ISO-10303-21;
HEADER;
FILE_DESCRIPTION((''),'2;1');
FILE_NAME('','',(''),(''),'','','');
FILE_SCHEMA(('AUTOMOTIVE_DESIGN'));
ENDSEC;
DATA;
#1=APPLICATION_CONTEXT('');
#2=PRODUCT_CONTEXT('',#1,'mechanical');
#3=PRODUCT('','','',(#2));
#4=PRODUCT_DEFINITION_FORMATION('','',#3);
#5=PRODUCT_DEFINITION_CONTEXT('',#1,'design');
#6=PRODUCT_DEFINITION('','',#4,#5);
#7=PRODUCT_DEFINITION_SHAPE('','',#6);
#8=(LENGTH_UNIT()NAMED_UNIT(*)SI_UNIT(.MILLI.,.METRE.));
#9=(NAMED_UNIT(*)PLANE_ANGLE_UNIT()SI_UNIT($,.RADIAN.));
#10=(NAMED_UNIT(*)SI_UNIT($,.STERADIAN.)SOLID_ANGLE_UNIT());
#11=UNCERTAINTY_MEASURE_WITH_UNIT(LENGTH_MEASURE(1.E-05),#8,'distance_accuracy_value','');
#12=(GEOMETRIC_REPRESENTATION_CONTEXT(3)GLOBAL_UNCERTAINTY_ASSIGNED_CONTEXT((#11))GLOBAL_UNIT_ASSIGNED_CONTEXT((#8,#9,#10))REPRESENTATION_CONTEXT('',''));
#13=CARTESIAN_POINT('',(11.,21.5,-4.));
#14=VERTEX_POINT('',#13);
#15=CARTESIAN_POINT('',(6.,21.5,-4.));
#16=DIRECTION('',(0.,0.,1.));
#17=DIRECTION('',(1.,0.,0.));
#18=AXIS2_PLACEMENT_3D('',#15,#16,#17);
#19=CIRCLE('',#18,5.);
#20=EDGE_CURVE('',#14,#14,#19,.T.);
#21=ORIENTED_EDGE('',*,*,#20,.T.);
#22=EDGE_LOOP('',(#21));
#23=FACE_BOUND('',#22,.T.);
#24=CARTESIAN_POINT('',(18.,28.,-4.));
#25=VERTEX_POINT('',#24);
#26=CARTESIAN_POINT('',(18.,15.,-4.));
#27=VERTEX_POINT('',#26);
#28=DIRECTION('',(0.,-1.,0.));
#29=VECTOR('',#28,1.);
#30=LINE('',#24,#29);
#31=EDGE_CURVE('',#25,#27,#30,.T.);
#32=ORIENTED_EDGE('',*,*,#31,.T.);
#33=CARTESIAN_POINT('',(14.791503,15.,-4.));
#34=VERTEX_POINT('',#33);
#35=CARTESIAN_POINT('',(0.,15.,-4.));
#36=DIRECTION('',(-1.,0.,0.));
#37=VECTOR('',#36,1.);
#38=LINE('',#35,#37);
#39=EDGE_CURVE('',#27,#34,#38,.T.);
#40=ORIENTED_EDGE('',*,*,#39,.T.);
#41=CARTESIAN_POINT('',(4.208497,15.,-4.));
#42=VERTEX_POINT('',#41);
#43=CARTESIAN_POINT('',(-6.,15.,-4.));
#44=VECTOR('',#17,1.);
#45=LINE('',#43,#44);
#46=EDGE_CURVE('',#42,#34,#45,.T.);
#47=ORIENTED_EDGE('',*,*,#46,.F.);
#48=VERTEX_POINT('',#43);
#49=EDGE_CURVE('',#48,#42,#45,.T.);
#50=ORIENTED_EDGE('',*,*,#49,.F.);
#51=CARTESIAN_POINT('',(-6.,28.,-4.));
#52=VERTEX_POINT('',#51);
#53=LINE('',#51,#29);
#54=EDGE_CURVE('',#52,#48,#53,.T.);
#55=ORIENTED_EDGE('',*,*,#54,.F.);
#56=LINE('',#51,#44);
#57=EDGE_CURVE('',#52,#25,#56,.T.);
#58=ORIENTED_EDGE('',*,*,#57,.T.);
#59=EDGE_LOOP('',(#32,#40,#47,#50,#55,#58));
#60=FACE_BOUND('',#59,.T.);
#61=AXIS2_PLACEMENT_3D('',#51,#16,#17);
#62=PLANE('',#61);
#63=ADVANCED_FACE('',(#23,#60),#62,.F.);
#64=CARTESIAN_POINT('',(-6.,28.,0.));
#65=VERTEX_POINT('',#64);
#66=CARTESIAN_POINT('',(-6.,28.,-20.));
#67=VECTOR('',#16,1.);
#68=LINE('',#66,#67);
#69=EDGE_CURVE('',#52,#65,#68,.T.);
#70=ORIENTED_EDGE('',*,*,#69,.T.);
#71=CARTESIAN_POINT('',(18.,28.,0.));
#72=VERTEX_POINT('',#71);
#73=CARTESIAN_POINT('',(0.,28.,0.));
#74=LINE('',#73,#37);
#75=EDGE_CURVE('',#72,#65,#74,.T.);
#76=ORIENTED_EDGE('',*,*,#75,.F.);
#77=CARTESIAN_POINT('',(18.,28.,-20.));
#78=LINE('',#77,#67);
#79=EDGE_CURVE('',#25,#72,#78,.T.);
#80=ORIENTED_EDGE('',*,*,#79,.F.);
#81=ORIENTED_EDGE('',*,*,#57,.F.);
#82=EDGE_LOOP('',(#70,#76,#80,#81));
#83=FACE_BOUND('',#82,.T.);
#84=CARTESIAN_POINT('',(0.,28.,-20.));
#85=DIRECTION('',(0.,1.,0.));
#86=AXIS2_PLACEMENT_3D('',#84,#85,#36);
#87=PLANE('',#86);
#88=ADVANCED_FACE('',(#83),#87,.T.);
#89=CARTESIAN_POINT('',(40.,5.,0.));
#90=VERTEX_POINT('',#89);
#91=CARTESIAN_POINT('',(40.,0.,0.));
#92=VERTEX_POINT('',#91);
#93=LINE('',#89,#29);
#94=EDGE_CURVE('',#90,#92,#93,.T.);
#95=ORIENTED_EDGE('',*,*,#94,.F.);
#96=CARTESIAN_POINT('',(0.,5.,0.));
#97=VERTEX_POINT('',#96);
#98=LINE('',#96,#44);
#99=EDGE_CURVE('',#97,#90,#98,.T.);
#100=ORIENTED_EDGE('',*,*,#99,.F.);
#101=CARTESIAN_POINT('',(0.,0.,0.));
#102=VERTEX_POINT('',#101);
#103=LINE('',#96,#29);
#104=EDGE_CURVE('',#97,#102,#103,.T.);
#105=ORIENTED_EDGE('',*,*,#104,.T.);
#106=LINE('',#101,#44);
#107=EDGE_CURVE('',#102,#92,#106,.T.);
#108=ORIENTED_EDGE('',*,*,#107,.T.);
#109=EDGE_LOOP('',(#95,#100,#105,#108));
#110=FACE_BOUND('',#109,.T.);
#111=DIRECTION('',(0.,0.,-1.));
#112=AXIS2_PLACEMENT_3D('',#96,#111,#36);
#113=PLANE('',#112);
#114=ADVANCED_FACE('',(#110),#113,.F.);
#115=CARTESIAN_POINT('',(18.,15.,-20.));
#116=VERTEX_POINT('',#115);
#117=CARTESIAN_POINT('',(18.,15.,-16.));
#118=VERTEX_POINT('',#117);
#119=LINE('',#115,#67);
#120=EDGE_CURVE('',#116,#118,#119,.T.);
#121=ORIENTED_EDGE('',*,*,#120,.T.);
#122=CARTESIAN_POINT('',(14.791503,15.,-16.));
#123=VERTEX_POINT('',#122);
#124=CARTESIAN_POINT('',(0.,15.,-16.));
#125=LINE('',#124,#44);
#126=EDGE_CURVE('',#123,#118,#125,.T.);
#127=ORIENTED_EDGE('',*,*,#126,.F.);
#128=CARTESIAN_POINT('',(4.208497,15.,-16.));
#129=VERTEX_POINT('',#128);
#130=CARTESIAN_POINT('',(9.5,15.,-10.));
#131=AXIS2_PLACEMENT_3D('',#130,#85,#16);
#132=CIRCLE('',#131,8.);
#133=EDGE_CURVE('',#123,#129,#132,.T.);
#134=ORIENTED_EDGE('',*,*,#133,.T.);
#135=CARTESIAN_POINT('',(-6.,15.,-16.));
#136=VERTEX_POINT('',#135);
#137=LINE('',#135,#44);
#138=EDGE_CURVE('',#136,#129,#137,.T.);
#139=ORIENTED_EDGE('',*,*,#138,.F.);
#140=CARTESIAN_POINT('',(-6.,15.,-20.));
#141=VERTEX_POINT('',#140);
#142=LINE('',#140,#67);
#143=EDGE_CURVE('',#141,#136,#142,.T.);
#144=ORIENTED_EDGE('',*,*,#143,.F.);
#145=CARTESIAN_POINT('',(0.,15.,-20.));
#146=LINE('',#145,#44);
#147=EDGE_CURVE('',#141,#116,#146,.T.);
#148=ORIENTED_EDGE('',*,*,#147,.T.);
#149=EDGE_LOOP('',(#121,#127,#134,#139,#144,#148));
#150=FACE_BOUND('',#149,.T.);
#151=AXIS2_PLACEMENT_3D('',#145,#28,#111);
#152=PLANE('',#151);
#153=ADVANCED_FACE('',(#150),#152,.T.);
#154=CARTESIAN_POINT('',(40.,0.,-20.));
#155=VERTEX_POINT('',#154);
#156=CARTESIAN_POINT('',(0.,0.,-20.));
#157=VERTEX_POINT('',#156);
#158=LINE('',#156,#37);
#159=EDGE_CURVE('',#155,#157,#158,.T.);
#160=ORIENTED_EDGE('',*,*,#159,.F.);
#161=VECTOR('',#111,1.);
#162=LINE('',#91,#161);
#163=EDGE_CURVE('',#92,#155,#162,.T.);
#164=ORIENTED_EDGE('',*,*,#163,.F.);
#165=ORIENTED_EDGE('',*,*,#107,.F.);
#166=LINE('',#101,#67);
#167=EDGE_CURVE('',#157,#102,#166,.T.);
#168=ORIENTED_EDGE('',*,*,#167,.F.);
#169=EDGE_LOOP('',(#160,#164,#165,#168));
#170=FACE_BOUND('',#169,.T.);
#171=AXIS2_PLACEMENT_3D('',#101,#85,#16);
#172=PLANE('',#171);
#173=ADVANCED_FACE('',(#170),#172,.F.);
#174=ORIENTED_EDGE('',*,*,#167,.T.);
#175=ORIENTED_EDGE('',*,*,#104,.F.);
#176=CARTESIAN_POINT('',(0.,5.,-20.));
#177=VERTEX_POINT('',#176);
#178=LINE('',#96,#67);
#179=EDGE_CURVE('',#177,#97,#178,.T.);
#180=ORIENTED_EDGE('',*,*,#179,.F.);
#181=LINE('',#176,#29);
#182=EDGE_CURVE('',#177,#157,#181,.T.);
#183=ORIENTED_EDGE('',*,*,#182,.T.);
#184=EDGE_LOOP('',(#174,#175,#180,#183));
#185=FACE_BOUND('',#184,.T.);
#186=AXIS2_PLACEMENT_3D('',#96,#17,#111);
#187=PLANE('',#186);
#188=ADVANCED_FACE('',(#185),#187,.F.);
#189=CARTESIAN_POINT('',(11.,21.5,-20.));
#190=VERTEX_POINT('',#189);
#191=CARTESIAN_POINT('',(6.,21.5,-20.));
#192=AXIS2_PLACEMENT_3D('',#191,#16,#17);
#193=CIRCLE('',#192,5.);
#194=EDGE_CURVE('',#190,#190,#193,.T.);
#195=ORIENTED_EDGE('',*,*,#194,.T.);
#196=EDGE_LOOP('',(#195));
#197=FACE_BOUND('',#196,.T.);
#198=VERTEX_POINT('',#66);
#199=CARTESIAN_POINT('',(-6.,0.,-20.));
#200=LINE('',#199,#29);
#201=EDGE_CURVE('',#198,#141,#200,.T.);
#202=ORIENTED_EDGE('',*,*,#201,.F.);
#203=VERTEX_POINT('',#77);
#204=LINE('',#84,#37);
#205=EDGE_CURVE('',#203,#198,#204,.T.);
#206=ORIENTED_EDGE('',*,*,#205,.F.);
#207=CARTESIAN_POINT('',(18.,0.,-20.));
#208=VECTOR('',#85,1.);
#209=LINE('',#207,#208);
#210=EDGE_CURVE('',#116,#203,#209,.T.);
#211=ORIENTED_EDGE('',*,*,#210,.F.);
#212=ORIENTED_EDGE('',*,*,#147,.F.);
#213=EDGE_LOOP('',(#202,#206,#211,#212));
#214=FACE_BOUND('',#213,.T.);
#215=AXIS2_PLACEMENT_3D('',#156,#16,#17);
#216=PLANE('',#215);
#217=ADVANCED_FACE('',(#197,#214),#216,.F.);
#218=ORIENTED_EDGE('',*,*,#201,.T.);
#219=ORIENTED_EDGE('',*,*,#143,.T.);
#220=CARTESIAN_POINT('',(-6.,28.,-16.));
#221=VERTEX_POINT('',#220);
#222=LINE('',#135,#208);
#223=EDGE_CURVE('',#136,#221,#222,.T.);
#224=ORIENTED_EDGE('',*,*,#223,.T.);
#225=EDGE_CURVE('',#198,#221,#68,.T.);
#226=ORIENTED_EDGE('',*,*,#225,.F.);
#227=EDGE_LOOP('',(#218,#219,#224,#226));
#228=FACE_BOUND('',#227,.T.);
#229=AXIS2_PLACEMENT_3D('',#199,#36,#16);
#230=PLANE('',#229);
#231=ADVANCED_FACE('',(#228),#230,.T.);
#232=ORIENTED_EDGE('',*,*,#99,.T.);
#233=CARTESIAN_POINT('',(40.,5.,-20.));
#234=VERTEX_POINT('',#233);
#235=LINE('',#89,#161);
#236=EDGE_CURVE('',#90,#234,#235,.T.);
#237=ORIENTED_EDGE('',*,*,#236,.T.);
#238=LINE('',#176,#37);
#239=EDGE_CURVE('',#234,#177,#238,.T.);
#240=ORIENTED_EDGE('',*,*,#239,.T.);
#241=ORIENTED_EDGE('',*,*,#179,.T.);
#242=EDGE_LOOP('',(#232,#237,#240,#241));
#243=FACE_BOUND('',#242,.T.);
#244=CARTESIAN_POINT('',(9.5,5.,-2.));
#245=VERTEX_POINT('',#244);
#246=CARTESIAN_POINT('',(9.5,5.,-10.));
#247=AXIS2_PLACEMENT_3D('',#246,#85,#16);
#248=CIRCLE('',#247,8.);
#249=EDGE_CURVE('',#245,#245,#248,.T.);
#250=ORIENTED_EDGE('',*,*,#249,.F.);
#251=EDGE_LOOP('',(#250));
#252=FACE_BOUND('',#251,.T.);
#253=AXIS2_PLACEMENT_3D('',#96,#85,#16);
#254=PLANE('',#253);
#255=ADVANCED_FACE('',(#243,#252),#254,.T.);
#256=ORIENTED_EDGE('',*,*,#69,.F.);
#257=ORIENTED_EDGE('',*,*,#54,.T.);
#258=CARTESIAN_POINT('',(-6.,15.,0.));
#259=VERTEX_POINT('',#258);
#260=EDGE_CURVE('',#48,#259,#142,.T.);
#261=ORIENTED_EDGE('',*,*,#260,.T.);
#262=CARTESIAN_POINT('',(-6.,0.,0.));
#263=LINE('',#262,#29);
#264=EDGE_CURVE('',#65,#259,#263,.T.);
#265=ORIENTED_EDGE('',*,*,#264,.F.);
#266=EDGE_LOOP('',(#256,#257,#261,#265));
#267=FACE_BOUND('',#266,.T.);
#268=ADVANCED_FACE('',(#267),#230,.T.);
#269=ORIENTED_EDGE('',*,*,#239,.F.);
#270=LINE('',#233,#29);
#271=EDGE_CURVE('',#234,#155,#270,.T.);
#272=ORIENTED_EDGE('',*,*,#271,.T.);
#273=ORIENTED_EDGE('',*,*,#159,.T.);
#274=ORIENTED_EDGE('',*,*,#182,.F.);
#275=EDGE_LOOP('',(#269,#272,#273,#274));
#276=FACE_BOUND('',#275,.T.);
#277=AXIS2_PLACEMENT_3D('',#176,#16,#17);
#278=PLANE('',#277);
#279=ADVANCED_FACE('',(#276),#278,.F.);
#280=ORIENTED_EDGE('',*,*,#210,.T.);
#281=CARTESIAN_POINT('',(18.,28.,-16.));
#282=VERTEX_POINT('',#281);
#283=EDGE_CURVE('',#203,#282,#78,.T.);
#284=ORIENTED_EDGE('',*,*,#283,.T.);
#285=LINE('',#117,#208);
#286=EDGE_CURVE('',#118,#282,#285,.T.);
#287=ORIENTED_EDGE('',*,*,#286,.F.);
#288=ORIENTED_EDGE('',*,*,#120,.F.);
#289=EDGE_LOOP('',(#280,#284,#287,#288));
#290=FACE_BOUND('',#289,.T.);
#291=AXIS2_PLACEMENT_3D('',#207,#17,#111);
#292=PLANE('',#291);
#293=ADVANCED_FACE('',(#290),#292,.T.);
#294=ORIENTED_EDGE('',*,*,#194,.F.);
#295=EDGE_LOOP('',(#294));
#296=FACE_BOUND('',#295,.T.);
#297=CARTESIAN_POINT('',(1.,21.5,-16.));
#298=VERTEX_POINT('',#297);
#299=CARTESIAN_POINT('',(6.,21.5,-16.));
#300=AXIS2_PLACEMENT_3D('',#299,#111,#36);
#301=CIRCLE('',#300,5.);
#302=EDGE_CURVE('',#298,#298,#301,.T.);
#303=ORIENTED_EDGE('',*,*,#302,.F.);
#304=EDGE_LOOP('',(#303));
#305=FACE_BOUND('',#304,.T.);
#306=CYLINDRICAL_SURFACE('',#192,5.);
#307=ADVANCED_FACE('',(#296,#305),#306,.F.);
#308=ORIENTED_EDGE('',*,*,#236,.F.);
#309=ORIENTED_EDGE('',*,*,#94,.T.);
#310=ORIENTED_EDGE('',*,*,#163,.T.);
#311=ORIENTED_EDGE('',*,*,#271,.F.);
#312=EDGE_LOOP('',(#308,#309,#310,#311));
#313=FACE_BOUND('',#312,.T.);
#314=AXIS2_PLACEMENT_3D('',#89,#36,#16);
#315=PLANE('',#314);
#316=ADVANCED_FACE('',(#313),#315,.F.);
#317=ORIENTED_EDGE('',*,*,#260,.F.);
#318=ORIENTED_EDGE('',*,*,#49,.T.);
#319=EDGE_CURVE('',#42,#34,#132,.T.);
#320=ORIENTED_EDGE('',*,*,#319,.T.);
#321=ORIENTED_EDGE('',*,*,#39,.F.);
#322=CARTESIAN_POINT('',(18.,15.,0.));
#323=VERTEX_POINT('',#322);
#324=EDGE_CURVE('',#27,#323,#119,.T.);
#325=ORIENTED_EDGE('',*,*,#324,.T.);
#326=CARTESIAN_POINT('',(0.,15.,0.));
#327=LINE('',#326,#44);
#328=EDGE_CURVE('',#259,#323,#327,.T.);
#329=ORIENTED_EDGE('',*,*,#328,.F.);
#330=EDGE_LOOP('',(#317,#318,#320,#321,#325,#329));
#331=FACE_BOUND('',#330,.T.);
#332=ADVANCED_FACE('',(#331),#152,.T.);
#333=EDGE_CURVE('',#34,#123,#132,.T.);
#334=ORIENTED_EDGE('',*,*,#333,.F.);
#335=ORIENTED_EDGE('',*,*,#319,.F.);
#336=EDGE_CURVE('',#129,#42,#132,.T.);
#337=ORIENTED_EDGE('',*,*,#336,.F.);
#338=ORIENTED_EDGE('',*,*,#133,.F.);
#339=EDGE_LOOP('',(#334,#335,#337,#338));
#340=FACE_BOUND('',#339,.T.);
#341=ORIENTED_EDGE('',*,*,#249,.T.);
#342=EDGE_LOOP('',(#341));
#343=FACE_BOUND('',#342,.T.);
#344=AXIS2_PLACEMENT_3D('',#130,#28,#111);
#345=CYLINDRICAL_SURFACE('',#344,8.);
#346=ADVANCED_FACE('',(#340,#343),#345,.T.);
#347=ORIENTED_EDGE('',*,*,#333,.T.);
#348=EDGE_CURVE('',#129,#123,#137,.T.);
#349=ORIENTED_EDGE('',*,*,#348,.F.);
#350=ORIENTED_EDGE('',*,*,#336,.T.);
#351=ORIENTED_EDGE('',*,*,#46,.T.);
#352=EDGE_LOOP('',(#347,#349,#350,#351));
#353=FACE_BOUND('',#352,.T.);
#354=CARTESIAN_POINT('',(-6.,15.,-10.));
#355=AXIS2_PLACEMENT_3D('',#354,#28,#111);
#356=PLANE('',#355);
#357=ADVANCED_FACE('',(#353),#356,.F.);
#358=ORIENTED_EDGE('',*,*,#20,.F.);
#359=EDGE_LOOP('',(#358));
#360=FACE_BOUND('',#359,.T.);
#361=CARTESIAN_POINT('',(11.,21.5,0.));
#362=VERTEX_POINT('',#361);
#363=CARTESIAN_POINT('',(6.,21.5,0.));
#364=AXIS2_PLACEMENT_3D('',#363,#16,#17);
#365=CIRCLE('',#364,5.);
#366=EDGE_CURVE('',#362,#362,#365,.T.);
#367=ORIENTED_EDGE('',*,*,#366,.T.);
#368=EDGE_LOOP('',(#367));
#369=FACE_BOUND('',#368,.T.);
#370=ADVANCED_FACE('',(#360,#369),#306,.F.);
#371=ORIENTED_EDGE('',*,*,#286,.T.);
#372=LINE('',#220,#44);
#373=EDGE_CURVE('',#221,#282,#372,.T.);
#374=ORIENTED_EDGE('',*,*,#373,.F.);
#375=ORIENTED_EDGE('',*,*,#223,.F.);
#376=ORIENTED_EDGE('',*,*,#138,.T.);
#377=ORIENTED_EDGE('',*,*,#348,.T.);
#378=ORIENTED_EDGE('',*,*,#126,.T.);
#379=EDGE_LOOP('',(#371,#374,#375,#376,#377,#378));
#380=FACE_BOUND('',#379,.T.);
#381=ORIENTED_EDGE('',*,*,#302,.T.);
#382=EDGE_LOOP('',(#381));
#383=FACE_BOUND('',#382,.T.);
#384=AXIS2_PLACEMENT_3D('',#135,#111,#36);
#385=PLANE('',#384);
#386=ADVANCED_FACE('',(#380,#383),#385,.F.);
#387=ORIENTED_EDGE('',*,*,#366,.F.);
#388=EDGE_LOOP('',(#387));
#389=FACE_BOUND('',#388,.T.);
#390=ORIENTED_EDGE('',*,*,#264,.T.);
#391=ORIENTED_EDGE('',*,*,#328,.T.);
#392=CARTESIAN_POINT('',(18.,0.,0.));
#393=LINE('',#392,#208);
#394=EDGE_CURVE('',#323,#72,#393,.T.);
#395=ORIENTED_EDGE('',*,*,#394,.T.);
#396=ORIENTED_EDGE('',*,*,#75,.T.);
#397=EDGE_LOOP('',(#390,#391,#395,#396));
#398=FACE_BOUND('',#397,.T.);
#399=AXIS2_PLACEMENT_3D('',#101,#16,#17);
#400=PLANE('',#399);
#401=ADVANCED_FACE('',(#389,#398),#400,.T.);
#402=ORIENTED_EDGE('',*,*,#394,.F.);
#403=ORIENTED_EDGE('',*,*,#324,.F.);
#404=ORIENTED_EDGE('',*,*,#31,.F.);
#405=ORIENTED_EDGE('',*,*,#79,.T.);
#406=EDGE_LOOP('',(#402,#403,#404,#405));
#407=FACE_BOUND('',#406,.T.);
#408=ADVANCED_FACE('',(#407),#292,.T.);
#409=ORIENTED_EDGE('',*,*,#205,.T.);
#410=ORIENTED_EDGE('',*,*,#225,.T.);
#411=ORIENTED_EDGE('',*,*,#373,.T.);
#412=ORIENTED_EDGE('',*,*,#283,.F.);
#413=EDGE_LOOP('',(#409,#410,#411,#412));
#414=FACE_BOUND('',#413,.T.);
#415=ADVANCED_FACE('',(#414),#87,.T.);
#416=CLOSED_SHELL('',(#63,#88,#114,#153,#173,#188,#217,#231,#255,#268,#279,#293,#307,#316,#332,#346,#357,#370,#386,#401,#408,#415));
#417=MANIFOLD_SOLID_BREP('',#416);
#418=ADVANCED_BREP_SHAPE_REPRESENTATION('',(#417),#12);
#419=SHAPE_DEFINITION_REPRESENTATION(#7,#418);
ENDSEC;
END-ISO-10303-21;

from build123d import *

# Parameters (mm, degrees)
SKETCH1_W           = 40
SKETCH1_H           = 20
BOSS_EXTRUDE1_DEPTH = 5
SKETCH2_R           = 8
BOSS_EXTRUDE2_DEPTH = 10
BOSS_EXTRUDE3_DEPTH = 20
CUT_EXTRUDE1_DEPTH  = 42.952353927
SKETCH6_R           = 5
CUT_EXTRUDE2_DEPTH  = 53.763623833


with BuildPart() as part:
    # Sketch1 → Boss-Extrude1 (new body)
    with BuildSketch(Plane(origin=(0, 0, 0), x_dir=(1, 0, 0), z_dir=(0, 1, 0))):
        with Locations((20, 10)):
            Rectangle(SKETCH1_W, SKETCH1_H)
    extrude(amount=BOSS_EXTRUDE1_DEPTH)

    # Sketch2 → Boss-Extrude2 (add)
    with BuildSketch(Plane(origin=(0, 5, 0), x_dir=(1, 0, 0), z_dir=(0, 1, 0))):
        with Locations(Location((9.5, 10, 0), (0, 0, 270))):
            Circle(SKETCH2_R)
    extrude(amount=BOSS_EXTRUDE2_DEPTH)

    # Sketch4 → Boss-Extrude3 (add, through all)
    with BuildSketch(Plane.XY):
        Polygon((-6, 15), (0, 15), (1.5, 15), (17.5, 15), (18, 15), (18, 28), (-6, 28), align=None)
    extrude(amount=-BOSS_EXTRUDE3_DEPTH)

    # Sketch5 → Cut-Extrude1 (cut, through all)
    with BuildSketch(Plane(origin=(18, 0, 0), x_dir=(0, 0, -1), z_dir=(1, 0, 0))):
        Polygon((10, 15), (16, 15), (16, 28), (4, 28), (4, 15), align=None)
    extrude(amount=-CUT_EXTRUDE1_DEPTH, mode=Mode.SUBTRACT)

    # Sketch6 → Cut-Extrude2 (cut, through all)
    with BuildSketch(Plane.XY):
        with Locations((6, 21.5)):
            Circle(SKETCH6_R)
    extrude(amount=-CUT_EXTRUDE2_DEPTH, mode=Mode.SUBTRACT)


solid = part.part
